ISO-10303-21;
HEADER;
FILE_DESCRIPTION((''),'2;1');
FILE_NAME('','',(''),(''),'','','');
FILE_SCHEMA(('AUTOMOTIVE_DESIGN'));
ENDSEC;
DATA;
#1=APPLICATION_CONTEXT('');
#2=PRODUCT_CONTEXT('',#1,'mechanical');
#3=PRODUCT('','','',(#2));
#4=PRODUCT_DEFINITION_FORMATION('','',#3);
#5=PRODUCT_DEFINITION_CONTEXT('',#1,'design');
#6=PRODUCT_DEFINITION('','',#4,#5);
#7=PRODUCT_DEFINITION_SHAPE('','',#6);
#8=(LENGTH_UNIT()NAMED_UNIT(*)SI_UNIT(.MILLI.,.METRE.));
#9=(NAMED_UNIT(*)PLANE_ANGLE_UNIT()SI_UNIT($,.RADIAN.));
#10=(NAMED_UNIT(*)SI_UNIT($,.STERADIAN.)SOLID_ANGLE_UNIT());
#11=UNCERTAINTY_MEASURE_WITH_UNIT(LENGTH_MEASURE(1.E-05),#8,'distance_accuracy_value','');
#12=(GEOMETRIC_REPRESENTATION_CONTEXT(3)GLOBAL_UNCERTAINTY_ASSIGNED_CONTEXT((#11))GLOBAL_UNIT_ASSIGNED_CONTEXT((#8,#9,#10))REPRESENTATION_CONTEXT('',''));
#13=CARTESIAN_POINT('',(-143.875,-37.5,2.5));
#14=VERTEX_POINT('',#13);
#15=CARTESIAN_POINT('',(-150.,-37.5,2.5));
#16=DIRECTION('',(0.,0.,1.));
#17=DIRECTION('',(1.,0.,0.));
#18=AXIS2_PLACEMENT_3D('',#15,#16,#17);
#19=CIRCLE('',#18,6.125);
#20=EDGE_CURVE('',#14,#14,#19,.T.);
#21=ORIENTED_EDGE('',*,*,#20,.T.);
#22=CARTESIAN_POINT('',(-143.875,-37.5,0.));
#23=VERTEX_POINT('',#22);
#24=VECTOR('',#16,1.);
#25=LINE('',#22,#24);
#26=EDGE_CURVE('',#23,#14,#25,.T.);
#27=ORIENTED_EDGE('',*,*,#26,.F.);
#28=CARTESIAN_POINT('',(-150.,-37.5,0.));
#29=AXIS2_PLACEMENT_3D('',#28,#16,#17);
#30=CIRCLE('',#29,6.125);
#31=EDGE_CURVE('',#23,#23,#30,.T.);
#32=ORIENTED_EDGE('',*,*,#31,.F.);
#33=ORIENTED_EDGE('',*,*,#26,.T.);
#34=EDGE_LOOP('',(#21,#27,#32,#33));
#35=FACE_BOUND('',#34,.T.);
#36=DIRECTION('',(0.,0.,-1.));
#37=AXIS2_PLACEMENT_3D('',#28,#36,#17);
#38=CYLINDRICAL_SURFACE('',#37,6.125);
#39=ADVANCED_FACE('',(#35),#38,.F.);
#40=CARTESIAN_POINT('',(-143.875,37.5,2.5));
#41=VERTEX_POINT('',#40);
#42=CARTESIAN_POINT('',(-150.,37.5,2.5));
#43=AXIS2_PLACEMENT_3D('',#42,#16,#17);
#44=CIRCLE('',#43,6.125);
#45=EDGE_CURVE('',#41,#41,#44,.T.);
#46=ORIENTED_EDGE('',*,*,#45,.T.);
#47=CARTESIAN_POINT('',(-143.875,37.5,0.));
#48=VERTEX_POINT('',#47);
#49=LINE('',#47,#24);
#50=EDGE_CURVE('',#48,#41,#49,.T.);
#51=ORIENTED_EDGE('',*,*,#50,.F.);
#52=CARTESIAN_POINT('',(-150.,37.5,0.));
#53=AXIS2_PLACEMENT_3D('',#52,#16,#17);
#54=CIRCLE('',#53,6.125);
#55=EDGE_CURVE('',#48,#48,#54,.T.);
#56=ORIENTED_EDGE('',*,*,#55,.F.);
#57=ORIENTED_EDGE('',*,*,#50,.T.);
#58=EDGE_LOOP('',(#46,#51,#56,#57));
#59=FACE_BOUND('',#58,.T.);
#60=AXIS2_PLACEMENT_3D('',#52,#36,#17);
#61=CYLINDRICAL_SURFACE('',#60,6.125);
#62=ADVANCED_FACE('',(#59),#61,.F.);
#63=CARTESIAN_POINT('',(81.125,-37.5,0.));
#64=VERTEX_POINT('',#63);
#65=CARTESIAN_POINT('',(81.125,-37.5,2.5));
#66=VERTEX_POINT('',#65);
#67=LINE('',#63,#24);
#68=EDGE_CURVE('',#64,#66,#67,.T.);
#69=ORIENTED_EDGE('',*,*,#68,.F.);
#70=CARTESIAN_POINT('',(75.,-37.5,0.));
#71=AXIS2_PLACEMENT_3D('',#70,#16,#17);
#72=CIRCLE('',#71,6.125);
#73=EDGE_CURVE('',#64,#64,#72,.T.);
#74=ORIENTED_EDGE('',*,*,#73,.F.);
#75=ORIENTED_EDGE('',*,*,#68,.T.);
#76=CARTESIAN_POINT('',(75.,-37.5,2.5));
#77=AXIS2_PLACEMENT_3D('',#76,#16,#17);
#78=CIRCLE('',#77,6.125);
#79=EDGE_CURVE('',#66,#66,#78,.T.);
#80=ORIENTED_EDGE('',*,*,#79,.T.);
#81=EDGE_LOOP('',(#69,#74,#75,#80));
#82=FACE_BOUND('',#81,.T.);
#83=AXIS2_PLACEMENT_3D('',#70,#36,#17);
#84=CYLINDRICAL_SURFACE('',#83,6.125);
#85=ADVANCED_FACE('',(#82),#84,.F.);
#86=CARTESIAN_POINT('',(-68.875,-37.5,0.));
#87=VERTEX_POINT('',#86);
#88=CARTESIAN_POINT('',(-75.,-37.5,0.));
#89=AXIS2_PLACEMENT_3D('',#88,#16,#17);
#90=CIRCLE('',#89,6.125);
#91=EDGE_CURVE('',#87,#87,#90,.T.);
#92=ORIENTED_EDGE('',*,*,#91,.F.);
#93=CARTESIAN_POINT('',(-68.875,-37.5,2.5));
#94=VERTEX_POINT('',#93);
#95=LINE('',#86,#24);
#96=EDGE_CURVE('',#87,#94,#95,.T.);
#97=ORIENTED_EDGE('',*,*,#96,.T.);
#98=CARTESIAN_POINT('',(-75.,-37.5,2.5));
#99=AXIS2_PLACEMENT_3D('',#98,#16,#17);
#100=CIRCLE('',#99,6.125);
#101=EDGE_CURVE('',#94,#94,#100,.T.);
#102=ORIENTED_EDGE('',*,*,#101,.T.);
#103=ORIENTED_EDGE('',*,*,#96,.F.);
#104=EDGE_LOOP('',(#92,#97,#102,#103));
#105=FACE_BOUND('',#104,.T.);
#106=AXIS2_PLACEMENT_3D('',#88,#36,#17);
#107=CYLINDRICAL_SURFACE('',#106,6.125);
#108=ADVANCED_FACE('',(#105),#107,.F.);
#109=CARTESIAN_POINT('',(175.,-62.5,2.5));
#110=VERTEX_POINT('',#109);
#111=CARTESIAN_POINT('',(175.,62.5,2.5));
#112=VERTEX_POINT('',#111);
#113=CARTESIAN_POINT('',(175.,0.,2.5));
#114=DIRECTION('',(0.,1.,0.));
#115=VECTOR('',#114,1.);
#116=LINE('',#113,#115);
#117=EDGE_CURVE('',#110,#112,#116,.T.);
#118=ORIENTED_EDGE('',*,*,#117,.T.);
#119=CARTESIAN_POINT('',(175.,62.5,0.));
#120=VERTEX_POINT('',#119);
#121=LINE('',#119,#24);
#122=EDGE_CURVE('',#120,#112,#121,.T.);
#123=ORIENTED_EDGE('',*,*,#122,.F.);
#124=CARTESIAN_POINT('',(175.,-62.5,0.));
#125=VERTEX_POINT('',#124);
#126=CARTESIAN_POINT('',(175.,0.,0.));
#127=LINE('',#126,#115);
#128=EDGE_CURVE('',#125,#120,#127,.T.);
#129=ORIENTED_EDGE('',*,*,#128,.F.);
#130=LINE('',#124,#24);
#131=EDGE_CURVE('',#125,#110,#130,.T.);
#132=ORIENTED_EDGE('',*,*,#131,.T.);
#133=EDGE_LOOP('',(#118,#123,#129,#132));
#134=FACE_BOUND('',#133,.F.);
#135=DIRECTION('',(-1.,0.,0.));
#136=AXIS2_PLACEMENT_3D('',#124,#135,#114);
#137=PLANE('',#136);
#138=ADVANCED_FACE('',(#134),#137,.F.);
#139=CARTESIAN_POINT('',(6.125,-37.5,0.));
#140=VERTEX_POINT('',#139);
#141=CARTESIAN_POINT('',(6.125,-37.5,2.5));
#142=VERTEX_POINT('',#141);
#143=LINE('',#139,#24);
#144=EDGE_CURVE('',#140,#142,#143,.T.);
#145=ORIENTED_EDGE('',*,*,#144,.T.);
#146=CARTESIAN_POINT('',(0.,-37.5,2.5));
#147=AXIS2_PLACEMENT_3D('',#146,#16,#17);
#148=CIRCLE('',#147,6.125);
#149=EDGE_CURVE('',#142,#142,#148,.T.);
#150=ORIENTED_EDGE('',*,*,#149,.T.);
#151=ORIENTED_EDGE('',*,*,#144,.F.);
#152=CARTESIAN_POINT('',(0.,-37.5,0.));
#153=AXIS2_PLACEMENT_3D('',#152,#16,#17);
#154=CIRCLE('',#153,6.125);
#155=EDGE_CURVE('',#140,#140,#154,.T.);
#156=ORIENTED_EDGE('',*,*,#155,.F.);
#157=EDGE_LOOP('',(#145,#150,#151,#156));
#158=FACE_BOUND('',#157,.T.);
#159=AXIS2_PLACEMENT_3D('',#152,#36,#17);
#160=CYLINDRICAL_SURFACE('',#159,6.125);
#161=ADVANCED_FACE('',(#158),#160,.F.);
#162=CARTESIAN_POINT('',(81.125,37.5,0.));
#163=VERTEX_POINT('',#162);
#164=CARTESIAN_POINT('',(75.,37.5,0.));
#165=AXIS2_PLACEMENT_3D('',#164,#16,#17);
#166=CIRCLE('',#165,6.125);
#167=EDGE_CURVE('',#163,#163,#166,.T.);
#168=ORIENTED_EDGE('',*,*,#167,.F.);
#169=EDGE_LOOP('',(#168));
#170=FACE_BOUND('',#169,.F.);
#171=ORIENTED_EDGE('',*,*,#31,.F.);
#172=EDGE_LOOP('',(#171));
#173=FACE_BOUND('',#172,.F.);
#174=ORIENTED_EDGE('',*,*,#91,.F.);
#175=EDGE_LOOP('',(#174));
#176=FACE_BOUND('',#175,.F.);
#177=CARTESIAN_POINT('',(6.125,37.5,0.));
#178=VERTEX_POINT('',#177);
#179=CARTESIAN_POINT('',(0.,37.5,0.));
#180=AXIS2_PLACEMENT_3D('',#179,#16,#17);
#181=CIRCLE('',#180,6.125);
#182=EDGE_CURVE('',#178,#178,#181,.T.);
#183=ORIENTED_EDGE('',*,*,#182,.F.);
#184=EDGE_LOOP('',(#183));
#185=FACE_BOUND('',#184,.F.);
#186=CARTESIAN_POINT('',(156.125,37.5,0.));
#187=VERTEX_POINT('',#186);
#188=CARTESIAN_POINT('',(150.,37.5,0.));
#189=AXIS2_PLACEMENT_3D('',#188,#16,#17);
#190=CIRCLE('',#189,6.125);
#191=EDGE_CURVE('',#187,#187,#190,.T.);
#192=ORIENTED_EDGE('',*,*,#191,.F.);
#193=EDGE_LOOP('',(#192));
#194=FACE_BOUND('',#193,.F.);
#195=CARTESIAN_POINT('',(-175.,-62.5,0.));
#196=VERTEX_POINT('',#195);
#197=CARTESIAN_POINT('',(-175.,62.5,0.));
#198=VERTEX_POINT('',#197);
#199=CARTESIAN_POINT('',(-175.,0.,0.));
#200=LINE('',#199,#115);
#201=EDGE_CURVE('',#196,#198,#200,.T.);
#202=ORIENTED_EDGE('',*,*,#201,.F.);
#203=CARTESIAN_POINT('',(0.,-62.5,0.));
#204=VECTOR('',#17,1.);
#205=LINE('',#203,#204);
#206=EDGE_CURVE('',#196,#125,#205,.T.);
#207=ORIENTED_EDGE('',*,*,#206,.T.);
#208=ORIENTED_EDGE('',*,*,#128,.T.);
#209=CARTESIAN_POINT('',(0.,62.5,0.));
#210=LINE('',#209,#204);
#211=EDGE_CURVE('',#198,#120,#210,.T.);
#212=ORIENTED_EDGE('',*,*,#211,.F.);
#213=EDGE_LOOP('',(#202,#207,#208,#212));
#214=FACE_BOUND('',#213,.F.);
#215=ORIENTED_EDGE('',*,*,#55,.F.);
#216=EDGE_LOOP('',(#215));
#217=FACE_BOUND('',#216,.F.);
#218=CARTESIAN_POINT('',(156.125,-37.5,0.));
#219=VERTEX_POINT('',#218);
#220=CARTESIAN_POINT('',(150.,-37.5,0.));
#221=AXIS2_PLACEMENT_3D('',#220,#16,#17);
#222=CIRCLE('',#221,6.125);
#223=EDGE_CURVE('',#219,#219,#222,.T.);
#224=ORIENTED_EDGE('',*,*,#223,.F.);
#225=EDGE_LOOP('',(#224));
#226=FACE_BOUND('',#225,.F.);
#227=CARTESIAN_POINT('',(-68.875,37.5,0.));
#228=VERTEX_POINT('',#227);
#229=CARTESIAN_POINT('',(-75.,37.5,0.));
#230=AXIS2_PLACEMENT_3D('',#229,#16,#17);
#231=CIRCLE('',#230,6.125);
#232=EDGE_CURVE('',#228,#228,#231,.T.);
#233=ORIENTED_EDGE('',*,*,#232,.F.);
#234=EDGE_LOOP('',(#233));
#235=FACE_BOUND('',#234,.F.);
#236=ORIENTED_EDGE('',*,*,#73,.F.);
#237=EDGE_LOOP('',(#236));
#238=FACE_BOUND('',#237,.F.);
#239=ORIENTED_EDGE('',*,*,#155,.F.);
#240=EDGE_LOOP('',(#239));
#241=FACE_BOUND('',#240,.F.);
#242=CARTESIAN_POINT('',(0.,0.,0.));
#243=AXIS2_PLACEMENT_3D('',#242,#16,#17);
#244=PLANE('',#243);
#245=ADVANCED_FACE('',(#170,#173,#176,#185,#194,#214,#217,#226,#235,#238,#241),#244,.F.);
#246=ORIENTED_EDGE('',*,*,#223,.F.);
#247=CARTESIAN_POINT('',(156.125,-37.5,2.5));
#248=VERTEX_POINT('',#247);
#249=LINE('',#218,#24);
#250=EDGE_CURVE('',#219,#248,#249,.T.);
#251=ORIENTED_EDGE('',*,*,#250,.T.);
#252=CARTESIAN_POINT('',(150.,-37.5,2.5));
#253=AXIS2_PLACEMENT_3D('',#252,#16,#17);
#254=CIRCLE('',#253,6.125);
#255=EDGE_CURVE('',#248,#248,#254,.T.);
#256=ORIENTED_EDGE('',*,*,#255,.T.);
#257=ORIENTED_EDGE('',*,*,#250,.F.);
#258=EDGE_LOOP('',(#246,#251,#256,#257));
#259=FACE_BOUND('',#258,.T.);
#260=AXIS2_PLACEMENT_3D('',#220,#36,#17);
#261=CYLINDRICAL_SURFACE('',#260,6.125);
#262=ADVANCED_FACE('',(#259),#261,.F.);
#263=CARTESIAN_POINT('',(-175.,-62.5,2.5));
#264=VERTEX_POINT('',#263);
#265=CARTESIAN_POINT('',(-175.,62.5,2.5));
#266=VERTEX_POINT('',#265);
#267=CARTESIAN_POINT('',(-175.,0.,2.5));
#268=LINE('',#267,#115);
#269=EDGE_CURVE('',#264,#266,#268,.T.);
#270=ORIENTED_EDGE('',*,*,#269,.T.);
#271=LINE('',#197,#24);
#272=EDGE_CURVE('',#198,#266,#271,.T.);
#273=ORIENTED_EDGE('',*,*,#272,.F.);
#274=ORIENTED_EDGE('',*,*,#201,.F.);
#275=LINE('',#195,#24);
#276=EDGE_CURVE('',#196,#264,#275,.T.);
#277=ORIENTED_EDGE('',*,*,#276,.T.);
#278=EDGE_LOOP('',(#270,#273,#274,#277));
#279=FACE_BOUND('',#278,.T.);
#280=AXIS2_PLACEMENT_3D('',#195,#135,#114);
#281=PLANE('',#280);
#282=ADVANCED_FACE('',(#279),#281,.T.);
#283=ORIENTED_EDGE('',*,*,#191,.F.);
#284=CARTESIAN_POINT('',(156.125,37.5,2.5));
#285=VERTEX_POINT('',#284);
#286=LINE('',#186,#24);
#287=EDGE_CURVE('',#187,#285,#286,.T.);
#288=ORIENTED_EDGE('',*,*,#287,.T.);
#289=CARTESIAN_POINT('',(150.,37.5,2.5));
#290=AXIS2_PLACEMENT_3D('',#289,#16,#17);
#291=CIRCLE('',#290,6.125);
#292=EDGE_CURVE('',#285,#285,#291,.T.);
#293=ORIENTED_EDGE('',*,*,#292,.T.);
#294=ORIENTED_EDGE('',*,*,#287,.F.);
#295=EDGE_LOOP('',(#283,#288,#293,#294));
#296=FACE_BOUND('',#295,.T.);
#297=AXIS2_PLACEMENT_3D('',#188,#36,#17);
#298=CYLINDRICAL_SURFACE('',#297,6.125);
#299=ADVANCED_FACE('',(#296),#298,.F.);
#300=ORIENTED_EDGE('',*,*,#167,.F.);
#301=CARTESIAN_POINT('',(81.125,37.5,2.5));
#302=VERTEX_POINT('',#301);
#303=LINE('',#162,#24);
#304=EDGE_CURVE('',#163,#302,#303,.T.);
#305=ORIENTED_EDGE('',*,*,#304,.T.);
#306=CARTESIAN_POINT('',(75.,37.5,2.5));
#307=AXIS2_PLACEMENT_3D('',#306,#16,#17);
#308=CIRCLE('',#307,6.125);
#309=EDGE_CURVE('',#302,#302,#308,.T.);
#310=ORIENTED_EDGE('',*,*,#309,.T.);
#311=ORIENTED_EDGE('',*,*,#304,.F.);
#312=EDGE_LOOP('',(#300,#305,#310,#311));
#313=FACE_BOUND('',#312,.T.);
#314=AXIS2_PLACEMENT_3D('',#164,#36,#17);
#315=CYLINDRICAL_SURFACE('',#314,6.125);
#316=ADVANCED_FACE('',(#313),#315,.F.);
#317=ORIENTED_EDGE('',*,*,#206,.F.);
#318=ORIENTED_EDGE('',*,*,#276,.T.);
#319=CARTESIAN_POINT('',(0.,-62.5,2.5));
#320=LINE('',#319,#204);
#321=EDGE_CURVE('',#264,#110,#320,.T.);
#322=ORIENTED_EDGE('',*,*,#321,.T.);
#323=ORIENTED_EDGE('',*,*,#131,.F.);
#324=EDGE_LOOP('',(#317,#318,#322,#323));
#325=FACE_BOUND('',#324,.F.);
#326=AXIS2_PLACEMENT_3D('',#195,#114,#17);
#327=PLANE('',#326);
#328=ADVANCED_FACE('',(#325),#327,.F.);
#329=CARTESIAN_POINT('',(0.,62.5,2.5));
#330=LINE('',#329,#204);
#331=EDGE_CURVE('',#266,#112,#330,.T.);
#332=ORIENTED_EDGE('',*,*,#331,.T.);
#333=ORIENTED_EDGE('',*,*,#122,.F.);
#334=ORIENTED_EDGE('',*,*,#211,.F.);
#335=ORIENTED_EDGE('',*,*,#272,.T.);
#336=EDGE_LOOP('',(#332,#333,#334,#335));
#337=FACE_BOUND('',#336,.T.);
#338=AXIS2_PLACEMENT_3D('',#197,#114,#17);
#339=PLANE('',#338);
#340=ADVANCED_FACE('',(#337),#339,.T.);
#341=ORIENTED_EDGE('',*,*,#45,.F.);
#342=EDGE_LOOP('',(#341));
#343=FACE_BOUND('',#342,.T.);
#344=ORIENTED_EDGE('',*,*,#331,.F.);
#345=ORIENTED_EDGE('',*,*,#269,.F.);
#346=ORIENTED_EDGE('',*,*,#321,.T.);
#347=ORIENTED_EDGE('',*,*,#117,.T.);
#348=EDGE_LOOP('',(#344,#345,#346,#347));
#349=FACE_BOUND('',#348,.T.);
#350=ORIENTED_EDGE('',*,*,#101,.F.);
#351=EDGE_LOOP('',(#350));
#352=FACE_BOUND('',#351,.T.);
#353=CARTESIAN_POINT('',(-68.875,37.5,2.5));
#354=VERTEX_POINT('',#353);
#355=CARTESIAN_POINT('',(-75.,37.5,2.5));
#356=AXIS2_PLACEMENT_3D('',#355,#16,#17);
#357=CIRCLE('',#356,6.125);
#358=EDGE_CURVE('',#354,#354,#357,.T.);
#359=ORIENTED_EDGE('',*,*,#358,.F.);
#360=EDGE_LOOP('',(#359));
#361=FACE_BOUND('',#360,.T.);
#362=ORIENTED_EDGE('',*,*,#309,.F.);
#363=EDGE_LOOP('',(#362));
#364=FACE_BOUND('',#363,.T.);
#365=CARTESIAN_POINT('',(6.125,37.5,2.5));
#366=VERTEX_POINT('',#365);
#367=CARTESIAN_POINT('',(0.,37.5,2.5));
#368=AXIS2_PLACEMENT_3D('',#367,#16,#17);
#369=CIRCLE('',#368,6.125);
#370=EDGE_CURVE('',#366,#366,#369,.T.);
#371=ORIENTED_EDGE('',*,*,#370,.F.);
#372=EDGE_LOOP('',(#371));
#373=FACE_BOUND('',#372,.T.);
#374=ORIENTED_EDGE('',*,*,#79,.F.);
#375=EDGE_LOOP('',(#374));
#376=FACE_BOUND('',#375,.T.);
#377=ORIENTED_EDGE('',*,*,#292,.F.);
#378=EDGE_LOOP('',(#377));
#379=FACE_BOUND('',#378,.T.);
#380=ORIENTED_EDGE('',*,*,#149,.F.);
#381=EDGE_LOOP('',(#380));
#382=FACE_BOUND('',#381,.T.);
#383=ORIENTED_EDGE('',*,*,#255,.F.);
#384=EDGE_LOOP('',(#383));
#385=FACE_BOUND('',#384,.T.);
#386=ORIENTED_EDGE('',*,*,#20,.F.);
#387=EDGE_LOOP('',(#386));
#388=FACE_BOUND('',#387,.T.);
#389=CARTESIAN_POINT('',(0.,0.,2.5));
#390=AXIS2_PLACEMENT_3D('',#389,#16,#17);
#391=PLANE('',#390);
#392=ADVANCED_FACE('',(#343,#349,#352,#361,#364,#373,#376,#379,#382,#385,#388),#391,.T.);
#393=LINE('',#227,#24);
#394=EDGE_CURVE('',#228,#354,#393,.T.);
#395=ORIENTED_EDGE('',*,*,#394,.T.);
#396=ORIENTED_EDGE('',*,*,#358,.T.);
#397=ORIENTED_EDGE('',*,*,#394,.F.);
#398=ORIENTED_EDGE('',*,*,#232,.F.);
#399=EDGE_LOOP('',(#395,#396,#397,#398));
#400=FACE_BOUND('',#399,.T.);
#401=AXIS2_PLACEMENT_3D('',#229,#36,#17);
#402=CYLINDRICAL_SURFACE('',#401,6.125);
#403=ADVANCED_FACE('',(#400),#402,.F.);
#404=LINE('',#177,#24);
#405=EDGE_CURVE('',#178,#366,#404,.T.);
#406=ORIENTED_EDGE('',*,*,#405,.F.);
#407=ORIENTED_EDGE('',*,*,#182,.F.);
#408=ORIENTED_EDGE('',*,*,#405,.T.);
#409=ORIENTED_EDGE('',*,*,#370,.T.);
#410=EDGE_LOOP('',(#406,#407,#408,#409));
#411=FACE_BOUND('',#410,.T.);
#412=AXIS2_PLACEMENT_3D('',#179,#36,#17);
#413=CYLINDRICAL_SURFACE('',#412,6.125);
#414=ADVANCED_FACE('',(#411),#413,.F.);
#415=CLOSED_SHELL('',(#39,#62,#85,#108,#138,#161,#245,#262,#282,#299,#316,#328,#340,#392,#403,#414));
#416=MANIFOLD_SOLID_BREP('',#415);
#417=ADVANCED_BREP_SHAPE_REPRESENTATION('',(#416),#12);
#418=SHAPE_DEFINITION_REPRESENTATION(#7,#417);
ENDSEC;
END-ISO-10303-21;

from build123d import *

# Parameters (mm, degrees)
F1_W     = 350
F1_H     = 125
F1_R     = 6.125
F2_DEPTH = 2.5


with BuildPart() as f2:
    # F1 (on face) → F2 (new body)
    with BuildSketch(Plane.XY):
        Rectangle(F1_W, F1_H)
        with Locations((-150, -37.5)):
            Circle(F1_R, mode=Mode.SUBTRACT)
        with Locations((-75, -37.5)):
            Circle(F1_R, mode=Mode.SUBTRACT)
        with Locations((0, -37.5)):
            Circle(F1_R, mode=Mode.SUBTRACT)
        with Locations((75, -37.5)):
            Circle(F1_R, mode=Mode.SUBTRACT)
        with Locations((150, -37.5)):
            Circle(F1_R, mode=Mode.SUBTRACT)
        with Locations((-150, 37.5)):
            Circle(F1_R, mode=Mode.SUBTRACT)
        with Locations((-75, 37.5)):
            Circle(F1_R, mode=Mode.SUBTRACT)
        with Locations((0, 37.5)):
            Circle(F1_R, mode=Mode.SUBTRACT)
        with Locations((75, 37.5)):
            Circle(F1_R, mode=Mode.SUBTRACT)
        with Locations((150, 37.5)):
            Circle(F1_R, mode=Mode.SUBTRACT)
    extrude(amount=F2_DEPTH)


solid = f2.part
